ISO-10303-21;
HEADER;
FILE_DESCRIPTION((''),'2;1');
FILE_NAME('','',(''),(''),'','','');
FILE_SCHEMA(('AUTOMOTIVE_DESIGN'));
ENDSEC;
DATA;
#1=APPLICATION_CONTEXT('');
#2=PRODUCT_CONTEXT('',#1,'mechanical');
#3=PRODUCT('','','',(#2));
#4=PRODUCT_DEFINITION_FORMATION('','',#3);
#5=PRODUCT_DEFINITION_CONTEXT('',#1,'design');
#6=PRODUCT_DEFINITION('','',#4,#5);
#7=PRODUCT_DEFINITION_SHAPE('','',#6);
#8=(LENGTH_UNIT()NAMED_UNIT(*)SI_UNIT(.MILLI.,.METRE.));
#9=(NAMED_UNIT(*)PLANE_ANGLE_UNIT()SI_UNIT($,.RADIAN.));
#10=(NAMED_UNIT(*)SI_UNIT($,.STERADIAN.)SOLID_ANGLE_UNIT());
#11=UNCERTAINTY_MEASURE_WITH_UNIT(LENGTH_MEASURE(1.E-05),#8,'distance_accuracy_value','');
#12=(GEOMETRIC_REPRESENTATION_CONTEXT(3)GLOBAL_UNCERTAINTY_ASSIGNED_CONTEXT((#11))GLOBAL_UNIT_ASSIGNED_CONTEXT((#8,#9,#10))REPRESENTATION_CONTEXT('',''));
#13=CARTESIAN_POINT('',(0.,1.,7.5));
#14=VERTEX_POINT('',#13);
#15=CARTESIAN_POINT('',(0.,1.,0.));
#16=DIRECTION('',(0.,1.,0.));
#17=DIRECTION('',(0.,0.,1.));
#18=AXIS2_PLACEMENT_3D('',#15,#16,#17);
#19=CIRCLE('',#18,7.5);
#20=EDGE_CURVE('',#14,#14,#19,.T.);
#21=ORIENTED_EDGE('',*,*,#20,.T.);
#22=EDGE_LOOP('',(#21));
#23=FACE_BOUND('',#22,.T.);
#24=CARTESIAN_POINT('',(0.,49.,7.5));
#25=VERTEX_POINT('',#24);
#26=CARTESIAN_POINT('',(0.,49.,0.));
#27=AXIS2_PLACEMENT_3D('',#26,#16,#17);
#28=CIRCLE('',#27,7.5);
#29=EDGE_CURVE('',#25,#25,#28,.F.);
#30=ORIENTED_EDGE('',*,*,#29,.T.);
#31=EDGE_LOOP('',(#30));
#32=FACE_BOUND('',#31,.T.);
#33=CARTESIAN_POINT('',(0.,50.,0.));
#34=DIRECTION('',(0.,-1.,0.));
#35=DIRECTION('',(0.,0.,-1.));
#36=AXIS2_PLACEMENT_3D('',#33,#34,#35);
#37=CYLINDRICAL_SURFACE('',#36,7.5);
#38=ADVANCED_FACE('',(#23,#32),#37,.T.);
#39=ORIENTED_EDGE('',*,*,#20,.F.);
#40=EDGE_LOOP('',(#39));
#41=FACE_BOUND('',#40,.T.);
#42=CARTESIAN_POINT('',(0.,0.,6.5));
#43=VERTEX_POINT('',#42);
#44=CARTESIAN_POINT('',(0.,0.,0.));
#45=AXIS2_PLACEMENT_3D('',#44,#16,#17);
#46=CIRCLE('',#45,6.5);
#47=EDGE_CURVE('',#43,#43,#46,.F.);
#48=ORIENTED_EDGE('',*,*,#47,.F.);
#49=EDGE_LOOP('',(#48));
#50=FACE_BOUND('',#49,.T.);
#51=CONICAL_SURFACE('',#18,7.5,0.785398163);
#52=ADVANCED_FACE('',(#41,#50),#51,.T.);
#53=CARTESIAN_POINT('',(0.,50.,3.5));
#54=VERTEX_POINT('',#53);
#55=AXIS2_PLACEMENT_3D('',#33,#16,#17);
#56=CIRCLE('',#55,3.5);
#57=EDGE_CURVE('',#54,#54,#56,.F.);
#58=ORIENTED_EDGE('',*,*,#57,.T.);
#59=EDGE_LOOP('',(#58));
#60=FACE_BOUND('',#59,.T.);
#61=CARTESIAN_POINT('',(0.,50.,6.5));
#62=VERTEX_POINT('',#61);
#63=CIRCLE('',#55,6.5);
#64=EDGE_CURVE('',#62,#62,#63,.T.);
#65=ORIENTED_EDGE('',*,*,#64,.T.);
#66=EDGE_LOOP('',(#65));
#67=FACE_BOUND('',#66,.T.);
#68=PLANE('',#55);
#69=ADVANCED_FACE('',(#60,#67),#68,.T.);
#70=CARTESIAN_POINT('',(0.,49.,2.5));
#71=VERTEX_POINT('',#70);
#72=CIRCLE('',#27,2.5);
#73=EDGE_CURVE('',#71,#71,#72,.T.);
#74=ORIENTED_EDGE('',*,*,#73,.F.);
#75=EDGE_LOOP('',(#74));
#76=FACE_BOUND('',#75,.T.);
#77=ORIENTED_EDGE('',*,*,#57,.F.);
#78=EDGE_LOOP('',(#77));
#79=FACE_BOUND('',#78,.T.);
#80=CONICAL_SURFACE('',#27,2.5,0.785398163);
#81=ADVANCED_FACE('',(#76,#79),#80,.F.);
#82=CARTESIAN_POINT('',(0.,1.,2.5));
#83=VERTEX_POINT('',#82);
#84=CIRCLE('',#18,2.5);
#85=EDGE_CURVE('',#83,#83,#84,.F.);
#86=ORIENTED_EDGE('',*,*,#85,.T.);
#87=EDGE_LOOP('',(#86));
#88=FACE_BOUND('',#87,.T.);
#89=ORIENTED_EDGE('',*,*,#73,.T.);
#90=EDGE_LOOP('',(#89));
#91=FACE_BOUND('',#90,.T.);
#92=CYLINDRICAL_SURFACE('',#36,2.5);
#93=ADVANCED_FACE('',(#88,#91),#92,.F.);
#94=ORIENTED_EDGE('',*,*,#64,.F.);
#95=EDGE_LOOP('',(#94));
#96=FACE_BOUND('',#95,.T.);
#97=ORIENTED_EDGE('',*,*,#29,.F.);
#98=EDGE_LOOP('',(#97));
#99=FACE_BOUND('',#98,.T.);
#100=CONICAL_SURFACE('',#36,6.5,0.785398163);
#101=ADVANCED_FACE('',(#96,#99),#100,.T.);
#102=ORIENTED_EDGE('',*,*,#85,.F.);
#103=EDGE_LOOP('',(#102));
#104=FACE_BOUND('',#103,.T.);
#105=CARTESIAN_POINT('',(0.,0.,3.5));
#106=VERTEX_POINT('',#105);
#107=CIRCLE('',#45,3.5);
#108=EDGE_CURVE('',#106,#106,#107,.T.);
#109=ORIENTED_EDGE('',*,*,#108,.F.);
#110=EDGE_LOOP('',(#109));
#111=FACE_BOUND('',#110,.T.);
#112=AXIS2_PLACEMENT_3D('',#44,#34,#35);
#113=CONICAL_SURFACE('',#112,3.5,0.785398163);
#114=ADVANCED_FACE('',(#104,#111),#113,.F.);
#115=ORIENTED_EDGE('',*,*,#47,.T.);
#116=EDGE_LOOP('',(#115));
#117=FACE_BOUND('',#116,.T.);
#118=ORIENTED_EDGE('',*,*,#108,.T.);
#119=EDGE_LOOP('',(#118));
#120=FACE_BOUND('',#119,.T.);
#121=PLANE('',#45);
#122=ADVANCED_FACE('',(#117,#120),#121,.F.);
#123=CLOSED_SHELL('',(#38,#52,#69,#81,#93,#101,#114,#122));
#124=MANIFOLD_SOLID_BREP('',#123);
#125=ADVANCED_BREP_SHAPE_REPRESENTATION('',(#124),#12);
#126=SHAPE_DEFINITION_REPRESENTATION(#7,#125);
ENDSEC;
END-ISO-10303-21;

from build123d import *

# Parameters (mm, degrees)
ESQUISSE1_R      = 7.5
ESQUISSE1_R_2    = 2.5
EXTRUSION1_DEPTH = 50
CHANFREIN1_SIZE  = 1


with BuildPart() as part:
    # Esquisse1 → Extrusion1 (new body)
    with BuildSketch(Plane(origin=(0, 0, 0), x_dir=(1, 0, 0), z_dir=(0, 1, 0))):
        Circle(ESQUISSE1_R)
        Circle(ESQUISSE1_R_2, mode=Mode.SUBTRACT)
    extrude(amount=EXTRUSION1_DEPTH)

    # Chanfrein1
    chanfrein1_edges = [part.edges().sort_by_distance(p)[0] for p in [
        (-7.5, 0, 0),
        (-7.5, 50, 0),
        (-2.5, 0, 0),
        (-2.5, 50, 0),
    ]]
    chamfer(chanfrein1_edges, length=CHANFREIN1_SIZE)


solid = part.part
